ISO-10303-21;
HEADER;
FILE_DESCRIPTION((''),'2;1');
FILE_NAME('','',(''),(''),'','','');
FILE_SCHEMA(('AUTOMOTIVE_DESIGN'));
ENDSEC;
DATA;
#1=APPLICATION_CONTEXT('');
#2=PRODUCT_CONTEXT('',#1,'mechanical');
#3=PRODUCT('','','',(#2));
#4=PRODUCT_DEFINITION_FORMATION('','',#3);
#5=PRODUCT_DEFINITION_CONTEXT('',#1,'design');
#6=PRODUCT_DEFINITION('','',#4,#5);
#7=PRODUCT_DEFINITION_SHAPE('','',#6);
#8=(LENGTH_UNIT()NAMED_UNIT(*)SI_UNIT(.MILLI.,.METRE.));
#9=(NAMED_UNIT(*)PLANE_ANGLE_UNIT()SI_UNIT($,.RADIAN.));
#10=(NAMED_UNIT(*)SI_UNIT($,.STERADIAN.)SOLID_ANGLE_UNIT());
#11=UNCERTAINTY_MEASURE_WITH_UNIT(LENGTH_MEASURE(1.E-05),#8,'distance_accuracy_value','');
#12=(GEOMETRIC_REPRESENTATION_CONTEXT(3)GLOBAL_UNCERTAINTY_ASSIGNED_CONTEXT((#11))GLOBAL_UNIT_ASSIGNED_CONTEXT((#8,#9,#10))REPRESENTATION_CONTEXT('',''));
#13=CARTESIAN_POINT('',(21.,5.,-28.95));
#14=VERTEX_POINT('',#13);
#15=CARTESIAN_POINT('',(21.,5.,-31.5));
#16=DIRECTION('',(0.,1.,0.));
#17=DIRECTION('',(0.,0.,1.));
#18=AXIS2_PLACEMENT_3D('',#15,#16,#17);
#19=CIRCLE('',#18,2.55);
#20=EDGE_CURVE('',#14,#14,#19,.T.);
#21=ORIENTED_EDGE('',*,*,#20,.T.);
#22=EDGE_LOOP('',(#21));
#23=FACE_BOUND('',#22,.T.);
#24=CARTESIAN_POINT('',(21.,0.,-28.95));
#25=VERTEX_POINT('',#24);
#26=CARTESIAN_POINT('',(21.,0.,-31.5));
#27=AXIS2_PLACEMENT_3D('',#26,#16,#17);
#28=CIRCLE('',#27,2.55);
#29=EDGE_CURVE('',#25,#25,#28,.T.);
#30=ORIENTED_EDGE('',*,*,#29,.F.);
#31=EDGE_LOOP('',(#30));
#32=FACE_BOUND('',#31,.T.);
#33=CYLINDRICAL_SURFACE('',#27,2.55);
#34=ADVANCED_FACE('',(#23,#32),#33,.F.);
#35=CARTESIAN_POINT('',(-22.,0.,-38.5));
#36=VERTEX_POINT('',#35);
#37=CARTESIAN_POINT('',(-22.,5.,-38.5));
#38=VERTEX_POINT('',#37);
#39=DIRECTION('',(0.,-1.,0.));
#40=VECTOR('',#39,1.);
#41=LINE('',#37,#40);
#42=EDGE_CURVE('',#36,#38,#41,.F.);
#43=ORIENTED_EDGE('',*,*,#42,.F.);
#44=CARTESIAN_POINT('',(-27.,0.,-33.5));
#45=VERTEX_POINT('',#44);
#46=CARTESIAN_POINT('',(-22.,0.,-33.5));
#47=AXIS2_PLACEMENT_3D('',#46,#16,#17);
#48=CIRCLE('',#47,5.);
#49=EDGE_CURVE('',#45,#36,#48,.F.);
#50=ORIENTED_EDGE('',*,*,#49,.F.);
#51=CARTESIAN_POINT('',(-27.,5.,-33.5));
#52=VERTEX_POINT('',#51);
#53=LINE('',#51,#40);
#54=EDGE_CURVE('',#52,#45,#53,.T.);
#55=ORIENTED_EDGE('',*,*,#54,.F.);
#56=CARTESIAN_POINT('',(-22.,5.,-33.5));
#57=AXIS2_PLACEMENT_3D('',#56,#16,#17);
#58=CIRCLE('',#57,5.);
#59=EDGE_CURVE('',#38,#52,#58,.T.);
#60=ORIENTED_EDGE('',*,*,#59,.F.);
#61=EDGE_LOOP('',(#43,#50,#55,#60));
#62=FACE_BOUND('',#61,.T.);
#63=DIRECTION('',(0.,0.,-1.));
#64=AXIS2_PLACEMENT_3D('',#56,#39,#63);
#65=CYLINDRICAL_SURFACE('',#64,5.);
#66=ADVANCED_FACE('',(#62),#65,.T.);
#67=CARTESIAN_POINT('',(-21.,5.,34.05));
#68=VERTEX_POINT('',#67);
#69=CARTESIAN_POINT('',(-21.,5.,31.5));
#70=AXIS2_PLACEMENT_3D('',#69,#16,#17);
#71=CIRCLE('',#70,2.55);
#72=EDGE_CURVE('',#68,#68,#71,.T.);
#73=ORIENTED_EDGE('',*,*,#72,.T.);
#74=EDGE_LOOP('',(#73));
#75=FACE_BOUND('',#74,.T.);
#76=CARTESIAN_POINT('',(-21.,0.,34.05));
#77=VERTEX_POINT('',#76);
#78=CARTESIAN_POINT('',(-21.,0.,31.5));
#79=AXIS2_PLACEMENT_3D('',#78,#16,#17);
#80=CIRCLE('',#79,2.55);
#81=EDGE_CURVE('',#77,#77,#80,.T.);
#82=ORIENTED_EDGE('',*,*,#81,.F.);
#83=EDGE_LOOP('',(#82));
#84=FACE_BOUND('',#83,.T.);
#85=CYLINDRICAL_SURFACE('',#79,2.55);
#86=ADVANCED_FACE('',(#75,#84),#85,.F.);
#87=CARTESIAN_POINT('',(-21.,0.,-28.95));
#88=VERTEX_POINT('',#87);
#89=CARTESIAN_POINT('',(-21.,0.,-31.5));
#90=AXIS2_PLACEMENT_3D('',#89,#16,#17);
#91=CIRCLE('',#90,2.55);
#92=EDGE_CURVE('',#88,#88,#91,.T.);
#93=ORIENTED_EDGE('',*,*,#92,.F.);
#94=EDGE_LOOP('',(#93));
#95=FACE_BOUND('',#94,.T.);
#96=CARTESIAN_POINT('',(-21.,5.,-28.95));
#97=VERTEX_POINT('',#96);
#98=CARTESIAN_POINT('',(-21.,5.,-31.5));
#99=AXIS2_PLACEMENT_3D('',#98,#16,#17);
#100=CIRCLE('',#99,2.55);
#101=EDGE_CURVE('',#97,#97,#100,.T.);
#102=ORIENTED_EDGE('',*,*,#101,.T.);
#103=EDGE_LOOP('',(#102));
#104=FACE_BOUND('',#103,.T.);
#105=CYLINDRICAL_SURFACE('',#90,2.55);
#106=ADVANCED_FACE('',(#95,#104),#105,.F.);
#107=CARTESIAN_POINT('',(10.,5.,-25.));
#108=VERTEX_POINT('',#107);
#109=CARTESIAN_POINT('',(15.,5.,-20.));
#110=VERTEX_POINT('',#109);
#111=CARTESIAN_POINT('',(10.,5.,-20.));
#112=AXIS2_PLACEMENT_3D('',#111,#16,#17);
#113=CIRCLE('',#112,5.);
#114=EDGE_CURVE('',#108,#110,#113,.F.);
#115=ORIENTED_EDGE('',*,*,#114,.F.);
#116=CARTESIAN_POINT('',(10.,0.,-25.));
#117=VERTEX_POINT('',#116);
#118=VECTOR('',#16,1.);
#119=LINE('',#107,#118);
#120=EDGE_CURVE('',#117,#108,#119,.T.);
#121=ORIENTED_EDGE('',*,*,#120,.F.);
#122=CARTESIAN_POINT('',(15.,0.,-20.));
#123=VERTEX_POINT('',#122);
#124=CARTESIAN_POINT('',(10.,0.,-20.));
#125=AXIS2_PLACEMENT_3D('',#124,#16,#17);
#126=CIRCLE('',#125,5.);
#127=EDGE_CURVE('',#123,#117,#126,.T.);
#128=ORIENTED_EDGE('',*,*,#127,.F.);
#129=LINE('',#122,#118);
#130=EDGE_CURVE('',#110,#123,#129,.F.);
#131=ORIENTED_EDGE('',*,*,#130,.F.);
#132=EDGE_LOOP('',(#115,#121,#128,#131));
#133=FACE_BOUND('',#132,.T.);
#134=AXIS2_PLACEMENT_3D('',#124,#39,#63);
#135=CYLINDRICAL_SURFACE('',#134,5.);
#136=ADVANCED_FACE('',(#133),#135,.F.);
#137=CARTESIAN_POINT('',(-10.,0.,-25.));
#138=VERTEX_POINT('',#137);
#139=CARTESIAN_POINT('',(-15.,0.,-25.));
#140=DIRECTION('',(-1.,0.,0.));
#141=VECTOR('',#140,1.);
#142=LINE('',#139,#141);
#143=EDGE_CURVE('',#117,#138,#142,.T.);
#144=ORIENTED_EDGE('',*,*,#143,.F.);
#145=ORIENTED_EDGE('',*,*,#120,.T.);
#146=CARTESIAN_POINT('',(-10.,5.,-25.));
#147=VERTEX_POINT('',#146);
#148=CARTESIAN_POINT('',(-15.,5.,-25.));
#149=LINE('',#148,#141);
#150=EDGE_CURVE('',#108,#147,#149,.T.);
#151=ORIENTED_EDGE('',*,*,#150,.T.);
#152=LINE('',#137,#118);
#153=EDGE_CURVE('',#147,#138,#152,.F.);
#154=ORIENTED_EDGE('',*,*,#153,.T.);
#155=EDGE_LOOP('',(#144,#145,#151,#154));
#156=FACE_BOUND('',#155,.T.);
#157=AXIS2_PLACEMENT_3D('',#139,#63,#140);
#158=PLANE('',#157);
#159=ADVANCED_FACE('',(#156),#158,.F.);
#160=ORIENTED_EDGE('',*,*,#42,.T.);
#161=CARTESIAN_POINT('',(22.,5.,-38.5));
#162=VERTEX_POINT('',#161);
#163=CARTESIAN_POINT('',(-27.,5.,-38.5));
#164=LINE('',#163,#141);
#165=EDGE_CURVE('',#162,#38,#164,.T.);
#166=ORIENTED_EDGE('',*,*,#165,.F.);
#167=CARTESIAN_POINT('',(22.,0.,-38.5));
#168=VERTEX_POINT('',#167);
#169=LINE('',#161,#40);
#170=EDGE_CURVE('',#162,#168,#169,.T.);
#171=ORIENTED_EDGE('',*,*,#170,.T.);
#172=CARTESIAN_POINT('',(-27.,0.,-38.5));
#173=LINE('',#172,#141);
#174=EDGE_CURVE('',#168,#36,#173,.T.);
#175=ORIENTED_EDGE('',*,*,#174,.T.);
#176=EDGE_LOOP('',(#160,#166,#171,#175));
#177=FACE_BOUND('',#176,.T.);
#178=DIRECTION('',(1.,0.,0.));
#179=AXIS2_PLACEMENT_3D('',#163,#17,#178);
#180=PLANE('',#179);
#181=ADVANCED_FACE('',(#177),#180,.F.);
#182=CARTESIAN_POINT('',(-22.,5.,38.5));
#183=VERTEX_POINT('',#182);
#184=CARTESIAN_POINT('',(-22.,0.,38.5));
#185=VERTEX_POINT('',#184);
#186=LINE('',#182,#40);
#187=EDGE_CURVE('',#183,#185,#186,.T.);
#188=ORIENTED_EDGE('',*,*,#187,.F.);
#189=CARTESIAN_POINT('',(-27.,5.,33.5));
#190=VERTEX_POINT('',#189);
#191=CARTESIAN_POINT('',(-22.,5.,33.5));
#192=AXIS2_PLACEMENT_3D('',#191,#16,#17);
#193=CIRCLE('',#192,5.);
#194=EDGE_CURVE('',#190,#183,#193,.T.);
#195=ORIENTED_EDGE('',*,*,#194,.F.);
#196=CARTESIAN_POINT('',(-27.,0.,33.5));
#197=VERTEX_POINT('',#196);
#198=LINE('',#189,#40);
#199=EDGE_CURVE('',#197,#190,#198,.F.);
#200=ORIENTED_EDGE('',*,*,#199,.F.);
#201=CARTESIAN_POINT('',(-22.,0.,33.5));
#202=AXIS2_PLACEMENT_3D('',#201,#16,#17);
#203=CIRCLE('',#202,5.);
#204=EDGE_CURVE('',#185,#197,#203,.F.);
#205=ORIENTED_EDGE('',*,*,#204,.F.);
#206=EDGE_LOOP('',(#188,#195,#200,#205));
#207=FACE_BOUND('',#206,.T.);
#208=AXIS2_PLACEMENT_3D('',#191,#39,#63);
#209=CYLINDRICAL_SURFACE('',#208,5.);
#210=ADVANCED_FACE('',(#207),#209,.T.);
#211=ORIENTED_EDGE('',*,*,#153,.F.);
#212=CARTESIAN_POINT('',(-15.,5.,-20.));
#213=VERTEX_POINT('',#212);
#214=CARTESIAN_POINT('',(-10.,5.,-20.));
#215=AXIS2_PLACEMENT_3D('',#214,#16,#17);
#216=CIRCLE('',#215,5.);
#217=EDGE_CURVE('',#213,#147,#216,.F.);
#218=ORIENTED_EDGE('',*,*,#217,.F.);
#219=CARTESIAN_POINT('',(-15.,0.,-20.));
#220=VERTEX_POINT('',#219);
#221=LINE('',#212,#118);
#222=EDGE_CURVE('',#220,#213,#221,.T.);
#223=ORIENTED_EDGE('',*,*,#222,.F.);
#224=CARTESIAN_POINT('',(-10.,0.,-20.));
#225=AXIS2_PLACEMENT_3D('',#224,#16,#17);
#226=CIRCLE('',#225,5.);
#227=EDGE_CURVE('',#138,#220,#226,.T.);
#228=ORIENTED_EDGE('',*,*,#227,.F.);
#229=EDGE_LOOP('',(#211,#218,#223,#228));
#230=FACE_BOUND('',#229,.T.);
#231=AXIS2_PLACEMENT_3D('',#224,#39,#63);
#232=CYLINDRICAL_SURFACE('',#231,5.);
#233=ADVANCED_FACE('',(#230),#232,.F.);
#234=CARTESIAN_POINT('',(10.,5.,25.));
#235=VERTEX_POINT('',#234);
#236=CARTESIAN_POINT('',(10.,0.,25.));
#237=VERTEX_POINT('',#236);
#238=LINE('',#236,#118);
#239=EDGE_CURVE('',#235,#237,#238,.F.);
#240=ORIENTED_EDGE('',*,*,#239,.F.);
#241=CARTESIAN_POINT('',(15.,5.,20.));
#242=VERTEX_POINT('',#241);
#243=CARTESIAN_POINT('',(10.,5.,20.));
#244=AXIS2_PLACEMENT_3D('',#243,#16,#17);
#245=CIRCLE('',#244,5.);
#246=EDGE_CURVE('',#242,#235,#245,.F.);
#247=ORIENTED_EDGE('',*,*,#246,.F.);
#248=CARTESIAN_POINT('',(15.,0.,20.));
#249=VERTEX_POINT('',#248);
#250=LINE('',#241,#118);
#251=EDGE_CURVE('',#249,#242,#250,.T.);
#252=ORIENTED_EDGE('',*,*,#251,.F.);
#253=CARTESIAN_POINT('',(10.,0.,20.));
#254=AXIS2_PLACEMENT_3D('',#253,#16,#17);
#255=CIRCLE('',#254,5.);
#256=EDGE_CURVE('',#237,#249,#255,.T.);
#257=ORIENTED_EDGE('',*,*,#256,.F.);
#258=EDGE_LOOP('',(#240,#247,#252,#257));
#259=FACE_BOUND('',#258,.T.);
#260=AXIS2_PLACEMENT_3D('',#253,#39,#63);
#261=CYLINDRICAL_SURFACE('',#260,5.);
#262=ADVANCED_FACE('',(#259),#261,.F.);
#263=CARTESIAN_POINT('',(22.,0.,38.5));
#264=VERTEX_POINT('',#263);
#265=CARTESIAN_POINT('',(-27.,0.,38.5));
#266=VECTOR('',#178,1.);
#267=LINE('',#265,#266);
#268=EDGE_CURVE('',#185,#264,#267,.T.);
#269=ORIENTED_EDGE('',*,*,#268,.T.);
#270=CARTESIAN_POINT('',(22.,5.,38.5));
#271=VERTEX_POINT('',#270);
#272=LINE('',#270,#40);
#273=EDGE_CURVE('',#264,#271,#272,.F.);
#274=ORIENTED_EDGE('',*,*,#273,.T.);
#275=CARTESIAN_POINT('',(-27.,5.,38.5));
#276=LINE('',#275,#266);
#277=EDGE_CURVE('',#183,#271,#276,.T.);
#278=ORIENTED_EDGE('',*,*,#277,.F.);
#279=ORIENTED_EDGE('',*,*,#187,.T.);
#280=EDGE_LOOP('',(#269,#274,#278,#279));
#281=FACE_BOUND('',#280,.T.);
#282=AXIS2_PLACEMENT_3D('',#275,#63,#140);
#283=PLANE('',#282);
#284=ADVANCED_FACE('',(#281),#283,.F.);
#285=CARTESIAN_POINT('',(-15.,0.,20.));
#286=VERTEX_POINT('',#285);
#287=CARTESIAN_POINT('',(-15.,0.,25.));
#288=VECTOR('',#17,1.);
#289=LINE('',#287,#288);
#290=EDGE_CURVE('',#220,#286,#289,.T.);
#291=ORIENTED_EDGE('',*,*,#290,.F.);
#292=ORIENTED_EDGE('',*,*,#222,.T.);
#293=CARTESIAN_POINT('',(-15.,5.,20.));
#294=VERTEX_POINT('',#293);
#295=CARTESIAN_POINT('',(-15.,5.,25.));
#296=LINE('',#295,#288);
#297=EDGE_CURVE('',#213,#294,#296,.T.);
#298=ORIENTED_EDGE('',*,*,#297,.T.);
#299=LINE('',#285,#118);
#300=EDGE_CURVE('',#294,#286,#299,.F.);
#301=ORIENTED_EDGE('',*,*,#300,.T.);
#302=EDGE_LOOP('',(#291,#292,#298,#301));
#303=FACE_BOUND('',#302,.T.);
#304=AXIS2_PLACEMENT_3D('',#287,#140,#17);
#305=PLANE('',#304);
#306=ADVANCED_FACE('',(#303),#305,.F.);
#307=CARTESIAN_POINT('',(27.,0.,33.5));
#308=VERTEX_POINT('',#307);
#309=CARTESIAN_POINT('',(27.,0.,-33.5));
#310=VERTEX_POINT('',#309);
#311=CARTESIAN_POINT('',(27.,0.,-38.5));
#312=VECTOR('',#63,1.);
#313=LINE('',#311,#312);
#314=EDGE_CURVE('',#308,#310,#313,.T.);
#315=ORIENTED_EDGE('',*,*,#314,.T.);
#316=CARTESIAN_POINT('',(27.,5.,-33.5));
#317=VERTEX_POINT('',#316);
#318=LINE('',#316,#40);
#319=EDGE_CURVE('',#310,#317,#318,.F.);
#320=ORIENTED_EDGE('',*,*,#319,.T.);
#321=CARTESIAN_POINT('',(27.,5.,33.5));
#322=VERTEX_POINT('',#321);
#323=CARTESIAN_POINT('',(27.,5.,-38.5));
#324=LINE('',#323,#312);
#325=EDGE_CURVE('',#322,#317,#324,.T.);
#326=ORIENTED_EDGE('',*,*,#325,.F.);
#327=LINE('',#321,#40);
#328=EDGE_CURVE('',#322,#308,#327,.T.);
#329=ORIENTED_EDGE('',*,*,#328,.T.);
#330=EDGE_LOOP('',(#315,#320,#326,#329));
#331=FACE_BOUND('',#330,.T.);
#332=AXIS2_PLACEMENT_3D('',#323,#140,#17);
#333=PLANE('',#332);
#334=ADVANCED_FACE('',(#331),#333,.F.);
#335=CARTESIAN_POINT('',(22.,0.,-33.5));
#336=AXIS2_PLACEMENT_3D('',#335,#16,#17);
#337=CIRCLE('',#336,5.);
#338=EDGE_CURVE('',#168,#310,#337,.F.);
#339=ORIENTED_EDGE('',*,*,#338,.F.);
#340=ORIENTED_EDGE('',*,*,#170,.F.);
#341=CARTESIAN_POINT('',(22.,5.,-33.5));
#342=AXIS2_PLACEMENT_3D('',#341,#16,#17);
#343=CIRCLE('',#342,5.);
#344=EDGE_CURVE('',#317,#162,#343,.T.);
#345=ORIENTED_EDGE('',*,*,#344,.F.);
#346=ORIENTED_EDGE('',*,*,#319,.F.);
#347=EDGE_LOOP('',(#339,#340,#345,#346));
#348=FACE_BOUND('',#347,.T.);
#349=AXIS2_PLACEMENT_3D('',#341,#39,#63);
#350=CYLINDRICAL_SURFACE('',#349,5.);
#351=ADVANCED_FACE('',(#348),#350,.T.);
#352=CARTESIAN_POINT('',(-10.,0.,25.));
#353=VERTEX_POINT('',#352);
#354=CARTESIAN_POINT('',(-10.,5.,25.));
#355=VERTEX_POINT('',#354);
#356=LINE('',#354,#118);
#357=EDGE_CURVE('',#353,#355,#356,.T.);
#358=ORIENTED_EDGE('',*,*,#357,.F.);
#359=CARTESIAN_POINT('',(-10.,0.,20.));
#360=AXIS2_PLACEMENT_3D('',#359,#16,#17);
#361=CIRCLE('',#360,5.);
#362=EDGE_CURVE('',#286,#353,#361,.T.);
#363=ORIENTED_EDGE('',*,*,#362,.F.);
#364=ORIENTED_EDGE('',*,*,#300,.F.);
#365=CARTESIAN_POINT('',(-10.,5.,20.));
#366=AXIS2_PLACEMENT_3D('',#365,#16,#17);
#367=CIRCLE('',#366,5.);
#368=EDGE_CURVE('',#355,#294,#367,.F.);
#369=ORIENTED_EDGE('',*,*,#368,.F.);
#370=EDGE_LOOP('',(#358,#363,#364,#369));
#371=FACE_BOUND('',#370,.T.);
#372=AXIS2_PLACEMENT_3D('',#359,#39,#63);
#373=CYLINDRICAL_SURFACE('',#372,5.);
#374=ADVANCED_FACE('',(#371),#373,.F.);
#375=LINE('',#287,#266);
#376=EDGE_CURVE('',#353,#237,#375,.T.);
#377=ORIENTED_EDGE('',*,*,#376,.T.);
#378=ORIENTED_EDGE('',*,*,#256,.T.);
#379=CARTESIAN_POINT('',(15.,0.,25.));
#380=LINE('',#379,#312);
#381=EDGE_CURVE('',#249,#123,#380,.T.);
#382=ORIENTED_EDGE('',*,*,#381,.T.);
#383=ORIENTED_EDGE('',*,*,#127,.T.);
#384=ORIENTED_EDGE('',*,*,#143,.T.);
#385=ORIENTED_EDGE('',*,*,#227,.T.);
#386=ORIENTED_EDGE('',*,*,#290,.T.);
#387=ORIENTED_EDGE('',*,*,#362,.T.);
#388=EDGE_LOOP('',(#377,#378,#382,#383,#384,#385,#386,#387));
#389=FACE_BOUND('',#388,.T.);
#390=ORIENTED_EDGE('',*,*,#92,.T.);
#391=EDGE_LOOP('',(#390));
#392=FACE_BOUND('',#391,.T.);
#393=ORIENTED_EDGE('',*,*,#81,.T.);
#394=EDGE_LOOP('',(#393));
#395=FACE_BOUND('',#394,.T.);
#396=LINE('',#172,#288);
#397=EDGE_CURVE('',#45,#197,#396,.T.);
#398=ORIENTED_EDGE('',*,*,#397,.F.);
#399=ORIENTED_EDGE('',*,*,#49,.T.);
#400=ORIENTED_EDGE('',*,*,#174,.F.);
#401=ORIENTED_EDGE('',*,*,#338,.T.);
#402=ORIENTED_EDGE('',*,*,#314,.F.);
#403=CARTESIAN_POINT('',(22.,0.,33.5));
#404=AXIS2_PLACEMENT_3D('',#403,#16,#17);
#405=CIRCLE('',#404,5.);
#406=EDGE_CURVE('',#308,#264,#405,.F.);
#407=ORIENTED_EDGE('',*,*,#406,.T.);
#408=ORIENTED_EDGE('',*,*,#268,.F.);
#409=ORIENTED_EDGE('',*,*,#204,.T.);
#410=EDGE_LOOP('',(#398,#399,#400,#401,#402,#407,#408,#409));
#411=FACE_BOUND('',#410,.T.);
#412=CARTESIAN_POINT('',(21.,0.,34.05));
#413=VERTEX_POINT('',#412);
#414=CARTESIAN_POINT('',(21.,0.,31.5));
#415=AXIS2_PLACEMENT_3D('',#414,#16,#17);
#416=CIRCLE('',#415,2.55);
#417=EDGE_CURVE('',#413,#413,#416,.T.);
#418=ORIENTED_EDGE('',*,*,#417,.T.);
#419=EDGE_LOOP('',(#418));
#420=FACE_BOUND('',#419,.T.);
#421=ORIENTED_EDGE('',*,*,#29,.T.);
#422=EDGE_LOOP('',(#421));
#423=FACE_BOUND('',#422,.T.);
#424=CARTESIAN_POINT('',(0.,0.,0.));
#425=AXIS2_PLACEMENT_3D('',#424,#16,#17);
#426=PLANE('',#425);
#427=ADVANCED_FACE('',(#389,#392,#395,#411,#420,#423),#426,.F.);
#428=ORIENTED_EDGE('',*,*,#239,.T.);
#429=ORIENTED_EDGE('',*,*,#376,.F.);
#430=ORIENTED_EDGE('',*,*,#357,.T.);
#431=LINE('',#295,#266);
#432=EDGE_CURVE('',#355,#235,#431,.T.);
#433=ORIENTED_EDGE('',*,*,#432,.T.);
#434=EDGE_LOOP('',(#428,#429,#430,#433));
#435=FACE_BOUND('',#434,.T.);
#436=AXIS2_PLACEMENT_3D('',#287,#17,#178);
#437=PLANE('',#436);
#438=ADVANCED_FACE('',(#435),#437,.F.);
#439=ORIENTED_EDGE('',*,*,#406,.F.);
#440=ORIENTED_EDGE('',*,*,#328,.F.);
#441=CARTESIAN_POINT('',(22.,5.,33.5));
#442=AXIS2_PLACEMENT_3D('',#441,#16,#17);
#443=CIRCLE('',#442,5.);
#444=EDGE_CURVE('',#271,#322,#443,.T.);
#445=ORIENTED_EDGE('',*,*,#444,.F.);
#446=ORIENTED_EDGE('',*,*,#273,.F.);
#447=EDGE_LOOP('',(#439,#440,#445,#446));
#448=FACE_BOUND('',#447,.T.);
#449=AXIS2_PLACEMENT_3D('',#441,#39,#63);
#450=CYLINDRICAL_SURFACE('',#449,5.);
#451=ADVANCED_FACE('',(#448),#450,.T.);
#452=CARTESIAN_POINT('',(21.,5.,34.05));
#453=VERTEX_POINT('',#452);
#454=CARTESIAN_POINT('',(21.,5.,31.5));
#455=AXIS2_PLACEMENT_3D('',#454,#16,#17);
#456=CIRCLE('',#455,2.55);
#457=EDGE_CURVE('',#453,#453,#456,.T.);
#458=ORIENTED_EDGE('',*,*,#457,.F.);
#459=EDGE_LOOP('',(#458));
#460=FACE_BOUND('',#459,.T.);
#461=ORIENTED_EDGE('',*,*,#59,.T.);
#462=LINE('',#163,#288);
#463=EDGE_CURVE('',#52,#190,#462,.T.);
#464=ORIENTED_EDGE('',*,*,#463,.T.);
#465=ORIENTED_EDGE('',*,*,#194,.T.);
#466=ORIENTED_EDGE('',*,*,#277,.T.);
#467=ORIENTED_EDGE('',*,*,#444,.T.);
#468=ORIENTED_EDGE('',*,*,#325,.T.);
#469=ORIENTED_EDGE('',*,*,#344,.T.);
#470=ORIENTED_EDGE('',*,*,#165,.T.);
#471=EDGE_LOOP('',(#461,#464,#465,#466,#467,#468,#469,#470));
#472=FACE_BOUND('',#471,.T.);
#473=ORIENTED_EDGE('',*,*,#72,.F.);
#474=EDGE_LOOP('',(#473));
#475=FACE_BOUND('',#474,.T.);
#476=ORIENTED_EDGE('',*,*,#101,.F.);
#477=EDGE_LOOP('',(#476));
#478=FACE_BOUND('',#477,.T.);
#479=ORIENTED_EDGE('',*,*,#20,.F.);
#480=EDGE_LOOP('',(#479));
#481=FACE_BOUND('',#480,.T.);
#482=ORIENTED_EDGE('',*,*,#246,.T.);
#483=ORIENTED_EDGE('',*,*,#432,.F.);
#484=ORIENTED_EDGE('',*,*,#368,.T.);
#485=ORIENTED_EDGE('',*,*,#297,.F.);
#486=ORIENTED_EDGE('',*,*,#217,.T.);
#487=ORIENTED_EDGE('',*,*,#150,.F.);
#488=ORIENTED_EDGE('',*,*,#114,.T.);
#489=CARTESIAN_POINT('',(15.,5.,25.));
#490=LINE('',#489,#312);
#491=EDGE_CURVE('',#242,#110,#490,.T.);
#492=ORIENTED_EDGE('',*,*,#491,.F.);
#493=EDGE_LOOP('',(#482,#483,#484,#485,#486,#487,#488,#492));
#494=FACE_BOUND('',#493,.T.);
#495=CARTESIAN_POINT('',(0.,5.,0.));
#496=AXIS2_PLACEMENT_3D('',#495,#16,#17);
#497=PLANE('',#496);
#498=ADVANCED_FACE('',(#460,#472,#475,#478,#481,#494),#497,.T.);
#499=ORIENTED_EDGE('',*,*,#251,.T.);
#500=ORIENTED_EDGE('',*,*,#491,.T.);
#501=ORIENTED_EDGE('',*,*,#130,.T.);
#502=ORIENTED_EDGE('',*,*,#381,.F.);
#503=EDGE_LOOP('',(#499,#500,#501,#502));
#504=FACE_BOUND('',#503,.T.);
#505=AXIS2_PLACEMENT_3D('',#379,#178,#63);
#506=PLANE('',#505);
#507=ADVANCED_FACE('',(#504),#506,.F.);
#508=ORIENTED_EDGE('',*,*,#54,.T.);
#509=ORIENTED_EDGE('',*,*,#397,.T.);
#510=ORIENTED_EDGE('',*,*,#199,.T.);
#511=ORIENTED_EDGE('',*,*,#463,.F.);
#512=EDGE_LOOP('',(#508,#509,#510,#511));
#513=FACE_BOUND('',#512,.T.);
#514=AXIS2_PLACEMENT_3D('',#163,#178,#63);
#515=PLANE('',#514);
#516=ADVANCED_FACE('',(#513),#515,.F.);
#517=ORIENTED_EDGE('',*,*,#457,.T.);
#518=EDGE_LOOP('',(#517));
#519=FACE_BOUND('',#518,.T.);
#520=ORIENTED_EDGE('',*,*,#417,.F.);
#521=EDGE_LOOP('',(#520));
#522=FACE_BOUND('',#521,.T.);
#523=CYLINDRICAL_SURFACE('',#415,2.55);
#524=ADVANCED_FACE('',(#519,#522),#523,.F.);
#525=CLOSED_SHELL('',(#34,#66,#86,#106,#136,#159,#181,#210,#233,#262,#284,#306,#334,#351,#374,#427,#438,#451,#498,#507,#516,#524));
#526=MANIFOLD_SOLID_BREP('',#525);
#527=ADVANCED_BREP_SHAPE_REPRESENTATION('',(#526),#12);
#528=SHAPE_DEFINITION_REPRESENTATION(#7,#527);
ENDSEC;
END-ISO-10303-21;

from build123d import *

# Parameters (mm, degrees)
SKETCH1_W            = 54
SKETCH1_H            = 77
BOSS_EXTRUDE1_DEPTH  = 5
SKETCH2_R            = 2.55
CUT_EXTRUDE1_DEPTH   = 48.289005065
LPATTERN1_COUNT      = 2
LPATTERN1_PITCH      = 42
LPATTERN1_COUNT_DIR2 = 2
LPATTERN1_PITCH_DIR2 = 63
SKETCH3_W            = 30
SKETCH3_H            = 50
CUT_EXTRUDE2_DEPTH   = 48.289005065
FILLET1_R            = 5


with BuildPart() as part:
    # Sketch1 → Boss-Extrude1 (new body)
    with BuildSketch(Plane(origin=(0, 0, 0), x_dir=(1, 0, 0), z_dir=(0, 1, 0))):
        Rectangle(SKETCH1_W, SKETCH1_H)
    extrude(amount=BOSS_EXTRUDE1_DEPTH)

    # Sketch2 → Cut-Extrude1 (cut, through all)
    with BuildSketch(Plane(origin=(0, 5, 0), x_dir=(1, 0, 0), z_dir=(0, 1, 0))):
        with Locations(Location((-21, 31.5, 0), (0, 0, 270))):
            Circle(SKETCH2_R)
    cut_extrude1 = extrude(amount=-CUT_EXTRUDE1_DEPTH, mode=Mode.SUBTRACT)

    # LPattern1: Cut-Extrude1 2 × 2
    with Locations(*[(i * LPATTERN1_PITCH, 0, j * LPATTERN1_PITCH_DIR2) for i in range(LPATTERN1_COUNT) for j in range(LPATTERN1_COUNT_DIR2) if (i, j) != (0, 0)]):
        add(cut_extrude1, mode=Mode.SUBTRACT)

    # Sketch3 → Cut-Extrude2 (cut, through all)
    with BuildSketch(Plane(origin=(0, 5, 0), x_dir=(1, 0, 0), z_dir=(0, 1, 0))):
        Rectangle(SKETCH3_W, SKETCH3_H)
    extrude(amount=-CUT_EXTRUDE2_DEPTH, mode=Mode.SUBTRACT)

    # Fillet1
    fillet1_edges = [part.edges().sort_by_distance(p)[0] for p in [
        (15, 2.5, -25),
        (15, 2.5, 25),
        (-15, 2.5, 25),
        (-15, 2.5, -25),
        (27, 2.5, 38.5),
        (-27, 2.5, 38.5),
        (-27, 2.5, -38.5),
        (27, 2.5, -38.5),
    ]]
    fillet(fillet1_edges, radius=FILLET1_R)


solid = part.part
